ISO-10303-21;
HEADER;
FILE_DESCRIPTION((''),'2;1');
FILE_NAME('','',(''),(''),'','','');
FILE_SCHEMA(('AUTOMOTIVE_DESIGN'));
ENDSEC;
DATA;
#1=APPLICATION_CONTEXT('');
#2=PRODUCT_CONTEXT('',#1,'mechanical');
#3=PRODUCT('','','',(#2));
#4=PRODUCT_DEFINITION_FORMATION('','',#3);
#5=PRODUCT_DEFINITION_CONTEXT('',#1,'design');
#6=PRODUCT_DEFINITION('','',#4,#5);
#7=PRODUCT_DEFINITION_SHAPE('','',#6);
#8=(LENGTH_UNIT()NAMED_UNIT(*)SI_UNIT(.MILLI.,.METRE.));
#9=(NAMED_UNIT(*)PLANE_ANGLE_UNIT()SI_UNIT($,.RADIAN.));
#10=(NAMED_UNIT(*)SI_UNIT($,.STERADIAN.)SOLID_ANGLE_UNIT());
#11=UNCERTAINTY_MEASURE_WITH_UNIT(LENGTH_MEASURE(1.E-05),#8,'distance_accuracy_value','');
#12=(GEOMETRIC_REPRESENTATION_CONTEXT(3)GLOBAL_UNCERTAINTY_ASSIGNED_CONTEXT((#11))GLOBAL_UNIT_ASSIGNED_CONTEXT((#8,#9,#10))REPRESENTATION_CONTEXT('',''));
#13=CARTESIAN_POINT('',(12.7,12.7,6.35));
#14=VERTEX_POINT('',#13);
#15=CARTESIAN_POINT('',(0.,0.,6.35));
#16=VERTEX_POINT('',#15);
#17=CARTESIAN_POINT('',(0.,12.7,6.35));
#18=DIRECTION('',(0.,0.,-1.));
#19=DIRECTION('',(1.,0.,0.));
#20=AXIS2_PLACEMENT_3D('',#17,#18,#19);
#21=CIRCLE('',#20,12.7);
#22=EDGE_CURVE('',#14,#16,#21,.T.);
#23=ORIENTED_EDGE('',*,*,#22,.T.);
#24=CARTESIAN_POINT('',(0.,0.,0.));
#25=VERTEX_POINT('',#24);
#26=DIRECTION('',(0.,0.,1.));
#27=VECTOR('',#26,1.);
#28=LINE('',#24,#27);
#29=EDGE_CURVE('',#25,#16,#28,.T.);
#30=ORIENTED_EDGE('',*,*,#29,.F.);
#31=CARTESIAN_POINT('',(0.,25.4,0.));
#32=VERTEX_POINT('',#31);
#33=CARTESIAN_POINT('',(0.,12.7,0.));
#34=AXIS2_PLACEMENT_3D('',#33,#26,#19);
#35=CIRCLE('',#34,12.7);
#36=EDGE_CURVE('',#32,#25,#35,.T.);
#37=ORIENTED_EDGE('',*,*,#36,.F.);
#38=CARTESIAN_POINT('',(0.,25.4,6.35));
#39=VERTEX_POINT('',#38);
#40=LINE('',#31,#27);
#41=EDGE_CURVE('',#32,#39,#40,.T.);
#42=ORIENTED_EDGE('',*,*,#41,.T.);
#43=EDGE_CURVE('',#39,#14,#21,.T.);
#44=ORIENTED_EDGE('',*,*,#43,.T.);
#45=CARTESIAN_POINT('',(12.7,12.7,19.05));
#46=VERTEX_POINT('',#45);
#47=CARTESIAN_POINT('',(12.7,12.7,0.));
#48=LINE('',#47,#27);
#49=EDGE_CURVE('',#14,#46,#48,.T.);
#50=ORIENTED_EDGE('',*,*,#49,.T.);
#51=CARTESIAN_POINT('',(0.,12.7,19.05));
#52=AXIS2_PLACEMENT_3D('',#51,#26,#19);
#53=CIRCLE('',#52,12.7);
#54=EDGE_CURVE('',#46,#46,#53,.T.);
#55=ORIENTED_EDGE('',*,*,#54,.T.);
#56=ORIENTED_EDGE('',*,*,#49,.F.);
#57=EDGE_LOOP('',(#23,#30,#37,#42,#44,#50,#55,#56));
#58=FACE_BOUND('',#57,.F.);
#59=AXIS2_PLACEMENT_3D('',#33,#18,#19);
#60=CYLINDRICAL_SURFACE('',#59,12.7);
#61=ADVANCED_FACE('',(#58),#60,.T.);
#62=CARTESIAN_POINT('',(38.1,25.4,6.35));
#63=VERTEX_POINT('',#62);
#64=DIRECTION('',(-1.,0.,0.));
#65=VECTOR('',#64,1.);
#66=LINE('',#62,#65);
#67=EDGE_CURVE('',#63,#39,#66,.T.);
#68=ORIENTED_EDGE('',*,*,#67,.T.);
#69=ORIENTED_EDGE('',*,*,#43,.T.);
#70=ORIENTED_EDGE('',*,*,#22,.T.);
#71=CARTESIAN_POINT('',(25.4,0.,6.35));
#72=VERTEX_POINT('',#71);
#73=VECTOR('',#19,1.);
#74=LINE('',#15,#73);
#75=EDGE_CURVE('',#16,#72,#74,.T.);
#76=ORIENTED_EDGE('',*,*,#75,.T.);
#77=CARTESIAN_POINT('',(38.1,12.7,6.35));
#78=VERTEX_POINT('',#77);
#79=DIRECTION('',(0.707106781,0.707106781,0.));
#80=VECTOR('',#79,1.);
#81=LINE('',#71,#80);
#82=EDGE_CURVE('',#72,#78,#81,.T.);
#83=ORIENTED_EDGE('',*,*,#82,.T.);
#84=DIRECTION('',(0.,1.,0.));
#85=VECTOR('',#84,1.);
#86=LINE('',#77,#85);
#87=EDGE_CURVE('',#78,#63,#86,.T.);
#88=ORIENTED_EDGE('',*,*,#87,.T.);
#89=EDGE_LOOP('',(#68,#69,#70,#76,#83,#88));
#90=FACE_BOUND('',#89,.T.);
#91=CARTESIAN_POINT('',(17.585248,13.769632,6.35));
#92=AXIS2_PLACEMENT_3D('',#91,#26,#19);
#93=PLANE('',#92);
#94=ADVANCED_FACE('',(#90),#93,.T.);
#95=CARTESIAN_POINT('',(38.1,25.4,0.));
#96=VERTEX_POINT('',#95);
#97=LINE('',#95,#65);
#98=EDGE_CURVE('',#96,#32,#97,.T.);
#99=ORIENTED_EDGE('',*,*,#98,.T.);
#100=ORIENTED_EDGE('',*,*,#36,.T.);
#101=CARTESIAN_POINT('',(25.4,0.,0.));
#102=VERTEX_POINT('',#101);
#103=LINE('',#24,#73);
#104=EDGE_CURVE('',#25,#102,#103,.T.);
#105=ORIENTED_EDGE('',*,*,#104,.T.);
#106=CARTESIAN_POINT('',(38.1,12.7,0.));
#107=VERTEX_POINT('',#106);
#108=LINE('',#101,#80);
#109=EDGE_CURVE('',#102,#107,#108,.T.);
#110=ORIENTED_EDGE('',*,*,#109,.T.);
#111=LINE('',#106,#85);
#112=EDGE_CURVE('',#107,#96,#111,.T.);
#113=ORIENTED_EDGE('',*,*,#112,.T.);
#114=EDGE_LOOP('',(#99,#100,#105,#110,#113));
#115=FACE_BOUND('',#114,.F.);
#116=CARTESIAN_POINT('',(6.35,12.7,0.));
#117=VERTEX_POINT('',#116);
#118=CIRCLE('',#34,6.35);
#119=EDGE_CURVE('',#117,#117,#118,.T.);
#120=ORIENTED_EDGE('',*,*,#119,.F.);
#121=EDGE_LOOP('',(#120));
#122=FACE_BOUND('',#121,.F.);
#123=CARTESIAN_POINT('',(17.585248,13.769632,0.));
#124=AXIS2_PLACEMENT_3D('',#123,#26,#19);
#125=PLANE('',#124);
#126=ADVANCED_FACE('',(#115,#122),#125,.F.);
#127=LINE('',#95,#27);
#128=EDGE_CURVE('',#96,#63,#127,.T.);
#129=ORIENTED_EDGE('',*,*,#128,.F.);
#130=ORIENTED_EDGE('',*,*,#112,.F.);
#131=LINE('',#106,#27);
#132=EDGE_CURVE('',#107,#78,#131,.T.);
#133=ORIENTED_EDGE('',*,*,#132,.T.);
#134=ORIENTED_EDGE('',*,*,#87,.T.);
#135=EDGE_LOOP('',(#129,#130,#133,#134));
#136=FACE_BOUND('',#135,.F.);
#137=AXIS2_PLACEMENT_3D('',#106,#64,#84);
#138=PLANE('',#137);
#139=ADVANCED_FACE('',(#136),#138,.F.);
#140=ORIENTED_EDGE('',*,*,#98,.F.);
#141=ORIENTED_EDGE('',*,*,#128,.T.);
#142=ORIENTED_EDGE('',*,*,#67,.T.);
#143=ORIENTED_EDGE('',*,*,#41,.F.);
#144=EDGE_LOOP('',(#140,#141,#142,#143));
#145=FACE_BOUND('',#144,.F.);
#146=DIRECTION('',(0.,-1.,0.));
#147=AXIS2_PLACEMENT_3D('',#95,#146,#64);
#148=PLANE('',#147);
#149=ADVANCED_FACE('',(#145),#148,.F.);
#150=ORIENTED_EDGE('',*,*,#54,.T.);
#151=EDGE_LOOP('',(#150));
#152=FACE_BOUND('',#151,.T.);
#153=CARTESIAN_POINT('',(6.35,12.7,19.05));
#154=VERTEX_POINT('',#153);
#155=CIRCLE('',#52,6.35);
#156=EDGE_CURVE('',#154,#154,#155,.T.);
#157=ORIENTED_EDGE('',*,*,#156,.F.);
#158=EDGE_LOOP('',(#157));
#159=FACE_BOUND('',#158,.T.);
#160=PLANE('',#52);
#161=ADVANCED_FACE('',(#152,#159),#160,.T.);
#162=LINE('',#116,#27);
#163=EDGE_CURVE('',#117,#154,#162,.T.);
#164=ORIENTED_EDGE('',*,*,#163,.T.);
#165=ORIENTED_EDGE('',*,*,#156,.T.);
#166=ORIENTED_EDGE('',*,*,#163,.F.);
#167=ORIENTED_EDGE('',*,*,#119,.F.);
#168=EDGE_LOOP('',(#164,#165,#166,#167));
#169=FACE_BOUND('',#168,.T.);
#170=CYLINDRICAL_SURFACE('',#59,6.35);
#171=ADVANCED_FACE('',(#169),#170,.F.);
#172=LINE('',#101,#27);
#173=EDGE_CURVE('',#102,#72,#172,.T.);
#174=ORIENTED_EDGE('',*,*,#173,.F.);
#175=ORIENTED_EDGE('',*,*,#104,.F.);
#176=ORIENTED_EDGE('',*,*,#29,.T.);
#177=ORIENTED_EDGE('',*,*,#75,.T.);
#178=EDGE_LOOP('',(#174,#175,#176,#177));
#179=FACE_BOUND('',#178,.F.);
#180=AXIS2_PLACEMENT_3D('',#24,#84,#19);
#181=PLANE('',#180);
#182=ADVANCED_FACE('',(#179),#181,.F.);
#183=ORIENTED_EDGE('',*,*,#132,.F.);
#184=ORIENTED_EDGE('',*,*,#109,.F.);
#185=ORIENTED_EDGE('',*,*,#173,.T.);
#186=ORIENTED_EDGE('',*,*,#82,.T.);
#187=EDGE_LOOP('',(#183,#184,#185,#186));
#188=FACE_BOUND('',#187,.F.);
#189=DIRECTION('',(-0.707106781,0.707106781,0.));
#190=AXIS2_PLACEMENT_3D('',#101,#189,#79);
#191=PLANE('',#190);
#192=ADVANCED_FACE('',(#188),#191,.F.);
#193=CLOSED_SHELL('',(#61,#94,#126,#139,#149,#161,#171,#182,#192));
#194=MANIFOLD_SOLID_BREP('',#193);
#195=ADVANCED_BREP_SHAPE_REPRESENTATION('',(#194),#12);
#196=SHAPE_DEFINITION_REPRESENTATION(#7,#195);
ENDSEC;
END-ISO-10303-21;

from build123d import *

# Parameters (mm, degrees)
F1_DEPTH = 6.35
F2_R     = 12.7
F2_R_2   = 6.35
F3_DEPTH = 19.05
F4_DEPTH = 25.4


with BuildPart() as f1:
    # F0 (on Top) → F1 (new body)
    with BuildSketch(Plane.XY):
        Polygon((0, 25.4), (0, 0), (25.4, 0), (38.1, 12.7), (38.1, 25.4), align=None)
    extrude(amount=F1_DEPTH)

    # F2 (on Top) → F3 (join)
    with BuildSketch(Plane.XY):
        with Locations((0, 12.7)):
            Circle(F2_R)
        with Locations((0, 12.7)):
            Circle(F2_R_2, mode=Mode.SUBTRACT)
    extrude(amount=F3_DEPTH)

    # F2 (on Top) → F4 (cut)
    with BuildSketch(Plane.XY):
        with Locations((0, 12.7)):
            Circle(F2_R_2)
    extrude(amount=F4_DEPTH, mode=Mode.SUBTRACT)


solid = f1.part
